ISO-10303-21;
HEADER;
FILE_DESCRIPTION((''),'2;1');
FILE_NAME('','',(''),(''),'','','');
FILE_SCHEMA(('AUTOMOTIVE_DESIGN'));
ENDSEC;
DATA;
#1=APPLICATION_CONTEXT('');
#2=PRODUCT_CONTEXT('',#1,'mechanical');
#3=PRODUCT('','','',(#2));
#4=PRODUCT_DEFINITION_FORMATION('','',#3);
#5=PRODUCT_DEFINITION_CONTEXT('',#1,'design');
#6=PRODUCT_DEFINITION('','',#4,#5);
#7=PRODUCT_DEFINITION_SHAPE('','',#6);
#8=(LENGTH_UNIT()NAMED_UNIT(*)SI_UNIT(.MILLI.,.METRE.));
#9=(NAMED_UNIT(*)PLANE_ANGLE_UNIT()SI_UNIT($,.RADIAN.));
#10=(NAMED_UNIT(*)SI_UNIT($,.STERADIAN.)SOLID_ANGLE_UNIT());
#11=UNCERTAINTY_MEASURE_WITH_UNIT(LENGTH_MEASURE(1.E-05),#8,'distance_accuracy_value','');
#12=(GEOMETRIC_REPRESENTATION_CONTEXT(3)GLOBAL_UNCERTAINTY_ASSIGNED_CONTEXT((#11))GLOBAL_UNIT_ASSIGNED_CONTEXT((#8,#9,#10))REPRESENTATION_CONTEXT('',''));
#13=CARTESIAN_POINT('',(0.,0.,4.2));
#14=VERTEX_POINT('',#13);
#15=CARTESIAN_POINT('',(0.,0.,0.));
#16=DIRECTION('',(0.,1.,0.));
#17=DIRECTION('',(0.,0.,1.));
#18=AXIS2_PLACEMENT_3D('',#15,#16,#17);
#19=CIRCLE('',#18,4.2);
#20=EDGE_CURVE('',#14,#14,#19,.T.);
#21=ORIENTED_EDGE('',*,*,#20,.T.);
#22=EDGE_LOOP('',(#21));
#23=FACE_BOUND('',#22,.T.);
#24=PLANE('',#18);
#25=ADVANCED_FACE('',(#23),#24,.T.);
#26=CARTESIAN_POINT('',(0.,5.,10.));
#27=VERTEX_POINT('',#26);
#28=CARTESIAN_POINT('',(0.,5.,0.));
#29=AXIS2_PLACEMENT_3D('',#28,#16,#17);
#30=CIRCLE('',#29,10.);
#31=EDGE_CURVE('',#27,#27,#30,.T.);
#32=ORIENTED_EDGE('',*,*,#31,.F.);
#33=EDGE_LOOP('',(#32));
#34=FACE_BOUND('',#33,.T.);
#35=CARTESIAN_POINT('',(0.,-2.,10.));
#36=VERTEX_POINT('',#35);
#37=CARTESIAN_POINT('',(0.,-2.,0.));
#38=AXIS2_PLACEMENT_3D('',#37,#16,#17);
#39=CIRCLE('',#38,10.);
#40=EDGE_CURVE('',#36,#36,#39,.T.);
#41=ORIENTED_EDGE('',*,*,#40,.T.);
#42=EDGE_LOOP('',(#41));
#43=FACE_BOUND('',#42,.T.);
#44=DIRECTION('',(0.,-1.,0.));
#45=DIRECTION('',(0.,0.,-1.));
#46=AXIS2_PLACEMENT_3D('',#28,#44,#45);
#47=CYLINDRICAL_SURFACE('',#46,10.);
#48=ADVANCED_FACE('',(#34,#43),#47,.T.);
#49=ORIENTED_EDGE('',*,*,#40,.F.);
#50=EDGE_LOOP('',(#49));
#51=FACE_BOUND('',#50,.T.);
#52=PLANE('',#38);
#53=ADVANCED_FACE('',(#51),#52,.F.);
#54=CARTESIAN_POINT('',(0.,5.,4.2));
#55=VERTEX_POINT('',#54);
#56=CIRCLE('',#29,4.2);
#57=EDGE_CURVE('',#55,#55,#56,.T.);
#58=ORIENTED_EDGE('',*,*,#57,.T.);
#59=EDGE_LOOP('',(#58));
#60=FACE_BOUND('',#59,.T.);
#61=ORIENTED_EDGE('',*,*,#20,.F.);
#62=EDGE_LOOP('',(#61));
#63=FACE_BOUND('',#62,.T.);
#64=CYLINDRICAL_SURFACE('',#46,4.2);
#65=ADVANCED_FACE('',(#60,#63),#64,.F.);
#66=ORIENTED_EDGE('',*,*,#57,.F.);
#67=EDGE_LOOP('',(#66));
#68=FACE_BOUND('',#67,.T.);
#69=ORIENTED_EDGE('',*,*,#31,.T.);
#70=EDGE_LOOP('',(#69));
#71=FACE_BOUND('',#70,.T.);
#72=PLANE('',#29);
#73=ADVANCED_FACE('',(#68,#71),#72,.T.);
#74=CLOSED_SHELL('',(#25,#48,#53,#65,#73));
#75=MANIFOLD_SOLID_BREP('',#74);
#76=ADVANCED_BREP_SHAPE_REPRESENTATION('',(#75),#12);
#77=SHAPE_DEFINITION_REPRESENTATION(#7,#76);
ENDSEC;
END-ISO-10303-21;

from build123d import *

# Parameters (mm, degrees)
SKETCH1_R           = 10
SKETCH1_R_2         = 4.2
BOSS_EXTRUDE1_DEPTH = 5
BOSS_EXTRUDE2_START = -2
SKETCH1_2_R         = 10
BOSS_EXTRUDE2_DEPTH = 2


with BuildPart() as part:
    # Sketch1 → Boss-Extrude1 (new body)
    with BuildSketch(Plane(origin=(0, 0, 0), x_dir=(1, 0, 0), z_dir=(0, 1, 0))):
        Circle(SKETCH1_R)
        Circle(SKETCH1_R_2, mode=Mode.SUBTRACT)
    extrude(amount=BOSS_EXTRUDE1_DEPTH)

    # Sketch1<2> → Boss-Extrude2 (add)
    with BuildSketch(Plane(origin=(0, 0, 0), x_dir=(1, 0, 0), z_dir=(0, 1, 0)).offset(BOSS_EXTRUDE2_START)):
        Circle(SKETCH1_2_R)
    extrude(amount=BOSS_EXTRUDE2_DEPTH)


solid = part.part
